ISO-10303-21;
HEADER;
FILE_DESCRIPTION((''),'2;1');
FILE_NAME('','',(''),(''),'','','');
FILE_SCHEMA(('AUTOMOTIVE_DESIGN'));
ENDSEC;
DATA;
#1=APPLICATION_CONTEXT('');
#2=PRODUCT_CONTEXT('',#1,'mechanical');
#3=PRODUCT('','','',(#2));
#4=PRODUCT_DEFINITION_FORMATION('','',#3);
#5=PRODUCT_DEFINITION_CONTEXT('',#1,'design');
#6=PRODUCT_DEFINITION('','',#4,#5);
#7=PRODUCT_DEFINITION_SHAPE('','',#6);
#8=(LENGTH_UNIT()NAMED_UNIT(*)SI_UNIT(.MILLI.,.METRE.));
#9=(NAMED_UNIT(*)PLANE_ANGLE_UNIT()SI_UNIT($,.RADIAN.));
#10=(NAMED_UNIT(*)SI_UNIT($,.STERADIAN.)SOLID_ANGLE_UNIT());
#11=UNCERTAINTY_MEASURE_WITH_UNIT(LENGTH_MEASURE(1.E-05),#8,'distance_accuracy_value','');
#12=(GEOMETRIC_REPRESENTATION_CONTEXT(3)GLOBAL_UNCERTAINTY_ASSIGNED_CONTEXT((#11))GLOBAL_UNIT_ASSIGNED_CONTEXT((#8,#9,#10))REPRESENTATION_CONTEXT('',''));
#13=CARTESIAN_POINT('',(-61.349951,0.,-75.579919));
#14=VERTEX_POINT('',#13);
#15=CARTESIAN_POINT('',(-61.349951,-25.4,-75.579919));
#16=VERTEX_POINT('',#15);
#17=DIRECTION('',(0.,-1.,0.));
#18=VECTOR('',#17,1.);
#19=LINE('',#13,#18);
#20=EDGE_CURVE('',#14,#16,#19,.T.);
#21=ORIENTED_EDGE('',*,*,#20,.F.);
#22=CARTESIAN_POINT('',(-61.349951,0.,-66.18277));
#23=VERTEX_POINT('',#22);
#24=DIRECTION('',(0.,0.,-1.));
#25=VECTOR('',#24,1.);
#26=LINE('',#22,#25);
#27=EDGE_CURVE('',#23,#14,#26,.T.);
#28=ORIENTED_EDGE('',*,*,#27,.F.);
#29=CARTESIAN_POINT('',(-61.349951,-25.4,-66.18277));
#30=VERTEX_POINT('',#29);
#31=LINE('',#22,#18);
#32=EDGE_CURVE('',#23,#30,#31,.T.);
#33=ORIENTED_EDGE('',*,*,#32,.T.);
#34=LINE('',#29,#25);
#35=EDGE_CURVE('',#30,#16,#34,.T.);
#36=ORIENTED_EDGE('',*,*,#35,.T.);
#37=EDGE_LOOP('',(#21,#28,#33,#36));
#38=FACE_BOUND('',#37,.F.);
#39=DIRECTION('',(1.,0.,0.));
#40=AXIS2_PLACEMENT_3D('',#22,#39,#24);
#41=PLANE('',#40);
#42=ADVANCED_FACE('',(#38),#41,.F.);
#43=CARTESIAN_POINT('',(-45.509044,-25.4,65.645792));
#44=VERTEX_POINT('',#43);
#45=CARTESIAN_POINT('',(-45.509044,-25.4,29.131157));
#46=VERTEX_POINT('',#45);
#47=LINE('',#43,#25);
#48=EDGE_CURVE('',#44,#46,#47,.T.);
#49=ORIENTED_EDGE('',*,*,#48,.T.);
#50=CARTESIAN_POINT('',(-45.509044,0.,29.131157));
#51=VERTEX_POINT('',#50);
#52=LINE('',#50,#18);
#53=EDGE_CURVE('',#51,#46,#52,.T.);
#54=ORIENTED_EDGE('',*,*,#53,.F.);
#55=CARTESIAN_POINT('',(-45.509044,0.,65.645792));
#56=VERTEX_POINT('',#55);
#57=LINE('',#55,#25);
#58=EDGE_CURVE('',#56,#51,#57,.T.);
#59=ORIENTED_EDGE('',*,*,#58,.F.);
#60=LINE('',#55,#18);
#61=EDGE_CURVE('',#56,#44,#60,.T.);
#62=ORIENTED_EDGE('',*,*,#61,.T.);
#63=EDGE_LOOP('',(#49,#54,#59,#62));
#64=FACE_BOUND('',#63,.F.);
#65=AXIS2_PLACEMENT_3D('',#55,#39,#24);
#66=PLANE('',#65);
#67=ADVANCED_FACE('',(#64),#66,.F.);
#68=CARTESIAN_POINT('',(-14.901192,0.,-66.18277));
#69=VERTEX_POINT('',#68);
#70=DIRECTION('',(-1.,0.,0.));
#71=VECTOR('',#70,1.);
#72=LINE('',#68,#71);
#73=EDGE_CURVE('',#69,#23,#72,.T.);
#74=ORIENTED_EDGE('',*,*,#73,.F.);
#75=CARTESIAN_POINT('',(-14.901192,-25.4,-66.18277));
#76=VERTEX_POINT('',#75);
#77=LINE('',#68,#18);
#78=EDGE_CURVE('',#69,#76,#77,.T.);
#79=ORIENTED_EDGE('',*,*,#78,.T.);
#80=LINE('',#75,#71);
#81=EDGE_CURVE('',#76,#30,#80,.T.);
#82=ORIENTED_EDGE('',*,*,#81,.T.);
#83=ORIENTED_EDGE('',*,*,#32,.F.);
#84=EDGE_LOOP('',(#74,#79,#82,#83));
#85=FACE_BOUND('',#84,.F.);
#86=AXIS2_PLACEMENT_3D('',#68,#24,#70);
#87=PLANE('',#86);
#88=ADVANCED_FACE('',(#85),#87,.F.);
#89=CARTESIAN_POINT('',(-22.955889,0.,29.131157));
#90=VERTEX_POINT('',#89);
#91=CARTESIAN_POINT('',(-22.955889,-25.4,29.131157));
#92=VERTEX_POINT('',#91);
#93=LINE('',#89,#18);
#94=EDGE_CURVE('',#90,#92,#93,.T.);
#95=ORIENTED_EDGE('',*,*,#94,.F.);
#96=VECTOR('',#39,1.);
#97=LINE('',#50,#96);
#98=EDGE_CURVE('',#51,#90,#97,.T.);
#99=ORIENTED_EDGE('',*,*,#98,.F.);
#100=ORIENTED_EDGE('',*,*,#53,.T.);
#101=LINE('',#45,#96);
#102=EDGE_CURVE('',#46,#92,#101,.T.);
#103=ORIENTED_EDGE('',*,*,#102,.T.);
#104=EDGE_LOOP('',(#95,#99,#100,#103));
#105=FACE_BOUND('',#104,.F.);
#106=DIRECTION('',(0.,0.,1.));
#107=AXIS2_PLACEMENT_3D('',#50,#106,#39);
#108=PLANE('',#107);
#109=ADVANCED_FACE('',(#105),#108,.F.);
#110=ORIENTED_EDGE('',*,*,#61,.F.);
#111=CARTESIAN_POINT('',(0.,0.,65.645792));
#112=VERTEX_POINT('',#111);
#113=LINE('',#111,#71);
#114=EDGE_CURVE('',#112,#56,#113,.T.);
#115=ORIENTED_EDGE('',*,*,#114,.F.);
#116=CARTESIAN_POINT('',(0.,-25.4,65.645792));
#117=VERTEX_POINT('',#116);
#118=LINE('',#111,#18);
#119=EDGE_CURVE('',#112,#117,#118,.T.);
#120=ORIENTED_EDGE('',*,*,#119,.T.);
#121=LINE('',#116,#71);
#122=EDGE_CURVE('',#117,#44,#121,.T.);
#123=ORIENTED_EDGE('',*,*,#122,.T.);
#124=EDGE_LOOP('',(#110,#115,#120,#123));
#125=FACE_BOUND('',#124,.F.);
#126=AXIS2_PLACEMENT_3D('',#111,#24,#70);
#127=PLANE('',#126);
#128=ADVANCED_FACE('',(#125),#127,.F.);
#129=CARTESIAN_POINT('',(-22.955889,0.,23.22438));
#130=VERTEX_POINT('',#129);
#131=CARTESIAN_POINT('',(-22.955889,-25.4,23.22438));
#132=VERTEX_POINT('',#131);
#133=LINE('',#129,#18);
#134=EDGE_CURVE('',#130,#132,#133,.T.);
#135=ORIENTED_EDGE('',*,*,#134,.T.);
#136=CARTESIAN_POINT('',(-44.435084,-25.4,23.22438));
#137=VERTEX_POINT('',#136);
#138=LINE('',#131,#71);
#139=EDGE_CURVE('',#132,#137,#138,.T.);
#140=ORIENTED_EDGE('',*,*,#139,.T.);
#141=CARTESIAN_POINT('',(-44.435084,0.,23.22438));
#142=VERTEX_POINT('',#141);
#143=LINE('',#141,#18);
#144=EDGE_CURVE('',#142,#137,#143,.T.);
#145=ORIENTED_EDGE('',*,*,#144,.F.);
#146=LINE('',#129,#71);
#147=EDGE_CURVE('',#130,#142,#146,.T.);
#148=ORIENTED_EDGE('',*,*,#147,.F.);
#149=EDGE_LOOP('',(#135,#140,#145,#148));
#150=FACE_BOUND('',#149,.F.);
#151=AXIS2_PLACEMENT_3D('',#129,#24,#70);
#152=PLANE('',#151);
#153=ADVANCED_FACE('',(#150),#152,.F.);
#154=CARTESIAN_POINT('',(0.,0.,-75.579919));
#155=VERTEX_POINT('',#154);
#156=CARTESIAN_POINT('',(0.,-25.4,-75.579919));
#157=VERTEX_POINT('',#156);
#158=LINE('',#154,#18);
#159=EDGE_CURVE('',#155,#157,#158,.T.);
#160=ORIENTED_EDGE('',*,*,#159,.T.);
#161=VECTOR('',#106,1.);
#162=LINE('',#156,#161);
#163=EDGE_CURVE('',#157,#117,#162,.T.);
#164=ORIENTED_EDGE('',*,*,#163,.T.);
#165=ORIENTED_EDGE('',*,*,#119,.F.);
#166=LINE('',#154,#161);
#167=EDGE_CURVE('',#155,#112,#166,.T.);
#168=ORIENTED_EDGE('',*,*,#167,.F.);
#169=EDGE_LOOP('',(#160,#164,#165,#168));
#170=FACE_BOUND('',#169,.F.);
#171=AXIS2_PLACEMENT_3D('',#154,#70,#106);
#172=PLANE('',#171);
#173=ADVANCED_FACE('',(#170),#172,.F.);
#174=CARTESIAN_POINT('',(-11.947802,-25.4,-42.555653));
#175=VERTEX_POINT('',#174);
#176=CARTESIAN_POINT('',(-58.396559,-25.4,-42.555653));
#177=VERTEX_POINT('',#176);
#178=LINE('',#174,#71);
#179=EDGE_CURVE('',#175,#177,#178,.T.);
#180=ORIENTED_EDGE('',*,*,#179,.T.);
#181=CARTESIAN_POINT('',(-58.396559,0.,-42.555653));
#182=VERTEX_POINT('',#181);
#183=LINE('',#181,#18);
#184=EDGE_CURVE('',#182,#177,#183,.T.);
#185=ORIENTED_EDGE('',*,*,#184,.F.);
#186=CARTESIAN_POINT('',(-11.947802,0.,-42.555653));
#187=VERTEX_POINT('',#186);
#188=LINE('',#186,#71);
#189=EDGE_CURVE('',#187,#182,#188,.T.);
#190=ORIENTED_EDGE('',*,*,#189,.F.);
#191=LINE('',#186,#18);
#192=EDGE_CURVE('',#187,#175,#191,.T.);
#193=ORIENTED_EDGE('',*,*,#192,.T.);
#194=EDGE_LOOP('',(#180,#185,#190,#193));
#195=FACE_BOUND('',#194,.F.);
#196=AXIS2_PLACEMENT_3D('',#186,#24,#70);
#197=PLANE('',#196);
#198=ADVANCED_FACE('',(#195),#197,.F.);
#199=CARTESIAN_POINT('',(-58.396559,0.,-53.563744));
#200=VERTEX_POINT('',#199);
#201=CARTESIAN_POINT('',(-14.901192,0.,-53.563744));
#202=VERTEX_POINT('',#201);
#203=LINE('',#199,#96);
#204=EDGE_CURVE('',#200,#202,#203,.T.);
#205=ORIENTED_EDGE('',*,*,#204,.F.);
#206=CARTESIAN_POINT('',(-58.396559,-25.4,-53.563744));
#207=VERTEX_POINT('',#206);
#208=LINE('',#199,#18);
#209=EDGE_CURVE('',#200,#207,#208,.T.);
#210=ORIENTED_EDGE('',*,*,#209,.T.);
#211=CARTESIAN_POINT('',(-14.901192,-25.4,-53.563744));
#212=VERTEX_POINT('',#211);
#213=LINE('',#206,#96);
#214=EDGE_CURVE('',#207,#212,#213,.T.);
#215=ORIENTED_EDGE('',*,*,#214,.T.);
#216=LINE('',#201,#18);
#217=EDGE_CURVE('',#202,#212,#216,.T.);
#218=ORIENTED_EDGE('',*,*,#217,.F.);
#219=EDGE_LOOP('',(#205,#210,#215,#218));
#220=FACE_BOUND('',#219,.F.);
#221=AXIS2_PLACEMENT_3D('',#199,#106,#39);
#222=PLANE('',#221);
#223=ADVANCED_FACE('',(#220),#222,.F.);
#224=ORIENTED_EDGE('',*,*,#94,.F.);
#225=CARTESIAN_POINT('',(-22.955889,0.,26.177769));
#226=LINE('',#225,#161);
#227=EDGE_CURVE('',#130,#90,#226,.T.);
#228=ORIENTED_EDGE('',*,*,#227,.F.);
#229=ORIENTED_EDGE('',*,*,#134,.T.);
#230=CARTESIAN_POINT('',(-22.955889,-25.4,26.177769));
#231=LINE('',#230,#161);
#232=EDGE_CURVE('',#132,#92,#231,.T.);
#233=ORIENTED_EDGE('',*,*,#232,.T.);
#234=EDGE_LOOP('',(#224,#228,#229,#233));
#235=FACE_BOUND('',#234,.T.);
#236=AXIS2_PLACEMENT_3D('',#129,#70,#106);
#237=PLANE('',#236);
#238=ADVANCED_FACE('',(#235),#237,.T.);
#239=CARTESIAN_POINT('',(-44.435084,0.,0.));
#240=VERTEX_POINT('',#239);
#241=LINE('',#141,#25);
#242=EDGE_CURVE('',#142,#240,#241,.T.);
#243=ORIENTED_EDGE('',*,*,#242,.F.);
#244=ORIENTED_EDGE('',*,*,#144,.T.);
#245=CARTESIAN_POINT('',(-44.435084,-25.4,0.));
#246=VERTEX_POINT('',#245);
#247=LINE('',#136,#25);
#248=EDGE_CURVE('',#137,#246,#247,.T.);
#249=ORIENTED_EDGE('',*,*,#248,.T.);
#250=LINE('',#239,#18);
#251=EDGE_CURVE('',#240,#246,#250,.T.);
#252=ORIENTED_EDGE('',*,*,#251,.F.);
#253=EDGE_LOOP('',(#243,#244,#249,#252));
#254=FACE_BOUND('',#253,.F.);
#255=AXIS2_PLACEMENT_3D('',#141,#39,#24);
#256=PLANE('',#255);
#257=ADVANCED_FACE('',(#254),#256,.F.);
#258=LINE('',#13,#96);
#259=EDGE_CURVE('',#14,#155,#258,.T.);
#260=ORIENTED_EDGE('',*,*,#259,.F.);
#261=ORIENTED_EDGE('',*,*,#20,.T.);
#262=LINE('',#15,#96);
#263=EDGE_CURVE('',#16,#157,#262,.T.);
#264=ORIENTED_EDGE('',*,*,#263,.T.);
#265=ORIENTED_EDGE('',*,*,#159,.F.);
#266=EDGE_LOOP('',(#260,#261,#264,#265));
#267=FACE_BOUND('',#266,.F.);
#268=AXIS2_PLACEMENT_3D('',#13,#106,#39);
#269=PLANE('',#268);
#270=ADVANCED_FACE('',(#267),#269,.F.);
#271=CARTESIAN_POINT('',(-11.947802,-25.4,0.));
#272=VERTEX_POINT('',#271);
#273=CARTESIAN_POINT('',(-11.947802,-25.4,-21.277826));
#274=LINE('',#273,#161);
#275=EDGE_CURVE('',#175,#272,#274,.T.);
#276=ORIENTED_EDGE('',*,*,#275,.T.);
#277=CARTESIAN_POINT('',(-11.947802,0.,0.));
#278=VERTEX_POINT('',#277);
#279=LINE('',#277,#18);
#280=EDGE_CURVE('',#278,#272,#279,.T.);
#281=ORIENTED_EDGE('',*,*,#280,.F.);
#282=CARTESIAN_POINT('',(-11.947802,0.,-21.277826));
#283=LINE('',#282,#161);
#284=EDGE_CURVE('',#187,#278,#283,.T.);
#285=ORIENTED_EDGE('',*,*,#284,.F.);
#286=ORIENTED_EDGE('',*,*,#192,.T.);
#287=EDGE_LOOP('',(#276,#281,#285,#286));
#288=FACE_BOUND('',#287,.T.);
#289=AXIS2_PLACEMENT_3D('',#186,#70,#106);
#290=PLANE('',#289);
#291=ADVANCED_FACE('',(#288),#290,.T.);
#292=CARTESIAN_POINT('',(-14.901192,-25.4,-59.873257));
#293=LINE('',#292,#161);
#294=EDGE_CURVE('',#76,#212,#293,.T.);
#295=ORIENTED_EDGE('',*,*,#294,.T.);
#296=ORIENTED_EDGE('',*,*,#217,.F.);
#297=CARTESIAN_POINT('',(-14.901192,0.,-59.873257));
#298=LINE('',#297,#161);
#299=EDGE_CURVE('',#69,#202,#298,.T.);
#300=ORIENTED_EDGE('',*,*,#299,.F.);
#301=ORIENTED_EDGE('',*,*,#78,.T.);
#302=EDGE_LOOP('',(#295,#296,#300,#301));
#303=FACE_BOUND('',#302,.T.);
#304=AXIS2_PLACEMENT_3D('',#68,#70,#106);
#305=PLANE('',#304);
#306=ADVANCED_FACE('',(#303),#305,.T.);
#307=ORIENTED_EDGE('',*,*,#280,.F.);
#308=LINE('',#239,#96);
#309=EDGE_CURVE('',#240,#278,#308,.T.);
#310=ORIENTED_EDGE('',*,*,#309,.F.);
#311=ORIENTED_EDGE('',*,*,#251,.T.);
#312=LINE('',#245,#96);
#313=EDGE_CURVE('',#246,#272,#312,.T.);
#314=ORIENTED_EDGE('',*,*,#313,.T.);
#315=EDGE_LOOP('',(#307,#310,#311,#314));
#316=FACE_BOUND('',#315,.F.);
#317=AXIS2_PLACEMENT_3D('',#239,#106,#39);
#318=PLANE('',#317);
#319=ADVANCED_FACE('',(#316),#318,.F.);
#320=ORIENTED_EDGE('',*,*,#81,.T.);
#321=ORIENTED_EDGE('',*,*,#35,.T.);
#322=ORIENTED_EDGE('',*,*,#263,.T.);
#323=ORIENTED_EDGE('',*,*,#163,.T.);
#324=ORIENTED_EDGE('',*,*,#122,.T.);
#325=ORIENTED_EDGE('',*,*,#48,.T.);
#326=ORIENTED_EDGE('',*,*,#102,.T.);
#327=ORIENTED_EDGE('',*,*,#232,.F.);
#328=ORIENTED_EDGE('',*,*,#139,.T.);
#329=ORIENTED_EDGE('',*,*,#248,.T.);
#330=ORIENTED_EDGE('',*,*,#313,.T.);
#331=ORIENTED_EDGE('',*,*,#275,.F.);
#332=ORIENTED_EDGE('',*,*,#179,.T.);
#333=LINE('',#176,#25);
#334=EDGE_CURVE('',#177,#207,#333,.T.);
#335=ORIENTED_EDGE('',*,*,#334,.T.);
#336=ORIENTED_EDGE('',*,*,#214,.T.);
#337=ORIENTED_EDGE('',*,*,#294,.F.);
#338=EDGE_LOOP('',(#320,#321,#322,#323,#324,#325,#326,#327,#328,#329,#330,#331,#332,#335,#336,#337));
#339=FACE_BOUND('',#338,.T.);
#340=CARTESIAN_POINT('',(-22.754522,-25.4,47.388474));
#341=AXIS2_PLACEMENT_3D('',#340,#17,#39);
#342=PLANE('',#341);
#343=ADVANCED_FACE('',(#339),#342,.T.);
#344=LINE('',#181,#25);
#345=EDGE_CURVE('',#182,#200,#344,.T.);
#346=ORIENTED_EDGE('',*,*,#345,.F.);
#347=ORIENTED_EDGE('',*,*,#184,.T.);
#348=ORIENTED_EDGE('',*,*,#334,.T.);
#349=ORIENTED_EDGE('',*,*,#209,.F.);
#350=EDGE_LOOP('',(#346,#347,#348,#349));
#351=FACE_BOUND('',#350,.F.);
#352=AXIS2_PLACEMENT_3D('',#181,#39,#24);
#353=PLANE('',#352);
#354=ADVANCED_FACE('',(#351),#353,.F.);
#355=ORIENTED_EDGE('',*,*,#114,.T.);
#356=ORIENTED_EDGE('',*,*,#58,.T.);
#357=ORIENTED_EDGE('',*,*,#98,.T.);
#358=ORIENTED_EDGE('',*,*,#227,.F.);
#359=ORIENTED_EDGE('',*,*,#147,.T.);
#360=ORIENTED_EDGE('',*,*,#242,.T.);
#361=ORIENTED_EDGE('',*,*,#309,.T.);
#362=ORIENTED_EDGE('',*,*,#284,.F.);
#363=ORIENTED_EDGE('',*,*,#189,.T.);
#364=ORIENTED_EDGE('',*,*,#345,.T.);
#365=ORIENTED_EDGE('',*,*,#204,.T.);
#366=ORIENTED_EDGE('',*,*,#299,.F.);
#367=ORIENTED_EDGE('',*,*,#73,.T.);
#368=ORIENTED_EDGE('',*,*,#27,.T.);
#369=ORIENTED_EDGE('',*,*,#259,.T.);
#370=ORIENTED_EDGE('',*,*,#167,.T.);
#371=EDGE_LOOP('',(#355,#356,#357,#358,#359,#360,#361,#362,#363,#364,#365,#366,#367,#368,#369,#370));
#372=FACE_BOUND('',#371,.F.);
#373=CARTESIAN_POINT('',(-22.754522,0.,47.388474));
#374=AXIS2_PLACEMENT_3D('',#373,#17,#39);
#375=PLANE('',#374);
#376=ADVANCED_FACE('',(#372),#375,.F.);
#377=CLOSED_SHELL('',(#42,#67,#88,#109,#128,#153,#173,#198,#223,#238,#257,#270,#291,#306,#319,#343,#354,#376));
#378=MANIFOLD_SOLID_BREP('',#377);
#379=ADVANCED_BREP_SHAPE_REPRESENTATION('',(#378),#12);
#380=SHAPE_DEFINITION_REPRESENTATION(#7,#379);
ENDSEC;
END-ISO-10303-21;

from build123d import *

# Parameters (mm, degrees)
F0_W     = 22.9558888823
F0_H     = 5.9067774564
F0_W_2   = 11.947802268
F0_H_2   = 42.5556525588
F0_W_3   = 14.9011919275
F0_H_3   = 12.6190260053
F1_DEPTH = 25.4


with BuildPart() as f1:
    # F0 (on Front) → F1 (new body)
    with BuildSketch(Plane.XZ):
        Polygon((0, 65.6457915902), (-45.509044081, 65.6457915902), (-45.509044081, 29.1311573237), (-22.9558888823, 29.1311573237), (0, 29.1311573237), align=None)
        with Locations((-11.4779444411, 26.1777685955)):
            Rectangle(F0_W, F0_H)
        Polygon((0, 0), (0, 23.2243798673), (-22.9558888823, 23.2243798673), (-44.4350838661, 23.2243798673), (-44.4350838661, 0), (-11.947802268, 0), align=None)
        with Locations((-5.973901134, -21.2778262794)):
            Rectangle(F0_W_2, F0_H_2)
        Polygon((0, -53.5637438297), (0, -42.5556525588), (-11.947802268, -42.5556525588), (-58.3965592086, -42.5556525588), (-58.3965592086, -53.5637438297), (-14.9011919275, -53.5637438297), align=None)
        with Locations((-7.4505959637, -59.8732568324)):
            Rectangle(F0_W_3, F0_H_3)
        Polygon((0, -75.579918921), (0, -66.182769835), (-14.9011919275, -66.182769835), (-61.3499507308, -66.182769835), (-61.3499507308, -75.579918921), align=None)
    extrude(amount=F1_DEPTH)


solid = f1.part
